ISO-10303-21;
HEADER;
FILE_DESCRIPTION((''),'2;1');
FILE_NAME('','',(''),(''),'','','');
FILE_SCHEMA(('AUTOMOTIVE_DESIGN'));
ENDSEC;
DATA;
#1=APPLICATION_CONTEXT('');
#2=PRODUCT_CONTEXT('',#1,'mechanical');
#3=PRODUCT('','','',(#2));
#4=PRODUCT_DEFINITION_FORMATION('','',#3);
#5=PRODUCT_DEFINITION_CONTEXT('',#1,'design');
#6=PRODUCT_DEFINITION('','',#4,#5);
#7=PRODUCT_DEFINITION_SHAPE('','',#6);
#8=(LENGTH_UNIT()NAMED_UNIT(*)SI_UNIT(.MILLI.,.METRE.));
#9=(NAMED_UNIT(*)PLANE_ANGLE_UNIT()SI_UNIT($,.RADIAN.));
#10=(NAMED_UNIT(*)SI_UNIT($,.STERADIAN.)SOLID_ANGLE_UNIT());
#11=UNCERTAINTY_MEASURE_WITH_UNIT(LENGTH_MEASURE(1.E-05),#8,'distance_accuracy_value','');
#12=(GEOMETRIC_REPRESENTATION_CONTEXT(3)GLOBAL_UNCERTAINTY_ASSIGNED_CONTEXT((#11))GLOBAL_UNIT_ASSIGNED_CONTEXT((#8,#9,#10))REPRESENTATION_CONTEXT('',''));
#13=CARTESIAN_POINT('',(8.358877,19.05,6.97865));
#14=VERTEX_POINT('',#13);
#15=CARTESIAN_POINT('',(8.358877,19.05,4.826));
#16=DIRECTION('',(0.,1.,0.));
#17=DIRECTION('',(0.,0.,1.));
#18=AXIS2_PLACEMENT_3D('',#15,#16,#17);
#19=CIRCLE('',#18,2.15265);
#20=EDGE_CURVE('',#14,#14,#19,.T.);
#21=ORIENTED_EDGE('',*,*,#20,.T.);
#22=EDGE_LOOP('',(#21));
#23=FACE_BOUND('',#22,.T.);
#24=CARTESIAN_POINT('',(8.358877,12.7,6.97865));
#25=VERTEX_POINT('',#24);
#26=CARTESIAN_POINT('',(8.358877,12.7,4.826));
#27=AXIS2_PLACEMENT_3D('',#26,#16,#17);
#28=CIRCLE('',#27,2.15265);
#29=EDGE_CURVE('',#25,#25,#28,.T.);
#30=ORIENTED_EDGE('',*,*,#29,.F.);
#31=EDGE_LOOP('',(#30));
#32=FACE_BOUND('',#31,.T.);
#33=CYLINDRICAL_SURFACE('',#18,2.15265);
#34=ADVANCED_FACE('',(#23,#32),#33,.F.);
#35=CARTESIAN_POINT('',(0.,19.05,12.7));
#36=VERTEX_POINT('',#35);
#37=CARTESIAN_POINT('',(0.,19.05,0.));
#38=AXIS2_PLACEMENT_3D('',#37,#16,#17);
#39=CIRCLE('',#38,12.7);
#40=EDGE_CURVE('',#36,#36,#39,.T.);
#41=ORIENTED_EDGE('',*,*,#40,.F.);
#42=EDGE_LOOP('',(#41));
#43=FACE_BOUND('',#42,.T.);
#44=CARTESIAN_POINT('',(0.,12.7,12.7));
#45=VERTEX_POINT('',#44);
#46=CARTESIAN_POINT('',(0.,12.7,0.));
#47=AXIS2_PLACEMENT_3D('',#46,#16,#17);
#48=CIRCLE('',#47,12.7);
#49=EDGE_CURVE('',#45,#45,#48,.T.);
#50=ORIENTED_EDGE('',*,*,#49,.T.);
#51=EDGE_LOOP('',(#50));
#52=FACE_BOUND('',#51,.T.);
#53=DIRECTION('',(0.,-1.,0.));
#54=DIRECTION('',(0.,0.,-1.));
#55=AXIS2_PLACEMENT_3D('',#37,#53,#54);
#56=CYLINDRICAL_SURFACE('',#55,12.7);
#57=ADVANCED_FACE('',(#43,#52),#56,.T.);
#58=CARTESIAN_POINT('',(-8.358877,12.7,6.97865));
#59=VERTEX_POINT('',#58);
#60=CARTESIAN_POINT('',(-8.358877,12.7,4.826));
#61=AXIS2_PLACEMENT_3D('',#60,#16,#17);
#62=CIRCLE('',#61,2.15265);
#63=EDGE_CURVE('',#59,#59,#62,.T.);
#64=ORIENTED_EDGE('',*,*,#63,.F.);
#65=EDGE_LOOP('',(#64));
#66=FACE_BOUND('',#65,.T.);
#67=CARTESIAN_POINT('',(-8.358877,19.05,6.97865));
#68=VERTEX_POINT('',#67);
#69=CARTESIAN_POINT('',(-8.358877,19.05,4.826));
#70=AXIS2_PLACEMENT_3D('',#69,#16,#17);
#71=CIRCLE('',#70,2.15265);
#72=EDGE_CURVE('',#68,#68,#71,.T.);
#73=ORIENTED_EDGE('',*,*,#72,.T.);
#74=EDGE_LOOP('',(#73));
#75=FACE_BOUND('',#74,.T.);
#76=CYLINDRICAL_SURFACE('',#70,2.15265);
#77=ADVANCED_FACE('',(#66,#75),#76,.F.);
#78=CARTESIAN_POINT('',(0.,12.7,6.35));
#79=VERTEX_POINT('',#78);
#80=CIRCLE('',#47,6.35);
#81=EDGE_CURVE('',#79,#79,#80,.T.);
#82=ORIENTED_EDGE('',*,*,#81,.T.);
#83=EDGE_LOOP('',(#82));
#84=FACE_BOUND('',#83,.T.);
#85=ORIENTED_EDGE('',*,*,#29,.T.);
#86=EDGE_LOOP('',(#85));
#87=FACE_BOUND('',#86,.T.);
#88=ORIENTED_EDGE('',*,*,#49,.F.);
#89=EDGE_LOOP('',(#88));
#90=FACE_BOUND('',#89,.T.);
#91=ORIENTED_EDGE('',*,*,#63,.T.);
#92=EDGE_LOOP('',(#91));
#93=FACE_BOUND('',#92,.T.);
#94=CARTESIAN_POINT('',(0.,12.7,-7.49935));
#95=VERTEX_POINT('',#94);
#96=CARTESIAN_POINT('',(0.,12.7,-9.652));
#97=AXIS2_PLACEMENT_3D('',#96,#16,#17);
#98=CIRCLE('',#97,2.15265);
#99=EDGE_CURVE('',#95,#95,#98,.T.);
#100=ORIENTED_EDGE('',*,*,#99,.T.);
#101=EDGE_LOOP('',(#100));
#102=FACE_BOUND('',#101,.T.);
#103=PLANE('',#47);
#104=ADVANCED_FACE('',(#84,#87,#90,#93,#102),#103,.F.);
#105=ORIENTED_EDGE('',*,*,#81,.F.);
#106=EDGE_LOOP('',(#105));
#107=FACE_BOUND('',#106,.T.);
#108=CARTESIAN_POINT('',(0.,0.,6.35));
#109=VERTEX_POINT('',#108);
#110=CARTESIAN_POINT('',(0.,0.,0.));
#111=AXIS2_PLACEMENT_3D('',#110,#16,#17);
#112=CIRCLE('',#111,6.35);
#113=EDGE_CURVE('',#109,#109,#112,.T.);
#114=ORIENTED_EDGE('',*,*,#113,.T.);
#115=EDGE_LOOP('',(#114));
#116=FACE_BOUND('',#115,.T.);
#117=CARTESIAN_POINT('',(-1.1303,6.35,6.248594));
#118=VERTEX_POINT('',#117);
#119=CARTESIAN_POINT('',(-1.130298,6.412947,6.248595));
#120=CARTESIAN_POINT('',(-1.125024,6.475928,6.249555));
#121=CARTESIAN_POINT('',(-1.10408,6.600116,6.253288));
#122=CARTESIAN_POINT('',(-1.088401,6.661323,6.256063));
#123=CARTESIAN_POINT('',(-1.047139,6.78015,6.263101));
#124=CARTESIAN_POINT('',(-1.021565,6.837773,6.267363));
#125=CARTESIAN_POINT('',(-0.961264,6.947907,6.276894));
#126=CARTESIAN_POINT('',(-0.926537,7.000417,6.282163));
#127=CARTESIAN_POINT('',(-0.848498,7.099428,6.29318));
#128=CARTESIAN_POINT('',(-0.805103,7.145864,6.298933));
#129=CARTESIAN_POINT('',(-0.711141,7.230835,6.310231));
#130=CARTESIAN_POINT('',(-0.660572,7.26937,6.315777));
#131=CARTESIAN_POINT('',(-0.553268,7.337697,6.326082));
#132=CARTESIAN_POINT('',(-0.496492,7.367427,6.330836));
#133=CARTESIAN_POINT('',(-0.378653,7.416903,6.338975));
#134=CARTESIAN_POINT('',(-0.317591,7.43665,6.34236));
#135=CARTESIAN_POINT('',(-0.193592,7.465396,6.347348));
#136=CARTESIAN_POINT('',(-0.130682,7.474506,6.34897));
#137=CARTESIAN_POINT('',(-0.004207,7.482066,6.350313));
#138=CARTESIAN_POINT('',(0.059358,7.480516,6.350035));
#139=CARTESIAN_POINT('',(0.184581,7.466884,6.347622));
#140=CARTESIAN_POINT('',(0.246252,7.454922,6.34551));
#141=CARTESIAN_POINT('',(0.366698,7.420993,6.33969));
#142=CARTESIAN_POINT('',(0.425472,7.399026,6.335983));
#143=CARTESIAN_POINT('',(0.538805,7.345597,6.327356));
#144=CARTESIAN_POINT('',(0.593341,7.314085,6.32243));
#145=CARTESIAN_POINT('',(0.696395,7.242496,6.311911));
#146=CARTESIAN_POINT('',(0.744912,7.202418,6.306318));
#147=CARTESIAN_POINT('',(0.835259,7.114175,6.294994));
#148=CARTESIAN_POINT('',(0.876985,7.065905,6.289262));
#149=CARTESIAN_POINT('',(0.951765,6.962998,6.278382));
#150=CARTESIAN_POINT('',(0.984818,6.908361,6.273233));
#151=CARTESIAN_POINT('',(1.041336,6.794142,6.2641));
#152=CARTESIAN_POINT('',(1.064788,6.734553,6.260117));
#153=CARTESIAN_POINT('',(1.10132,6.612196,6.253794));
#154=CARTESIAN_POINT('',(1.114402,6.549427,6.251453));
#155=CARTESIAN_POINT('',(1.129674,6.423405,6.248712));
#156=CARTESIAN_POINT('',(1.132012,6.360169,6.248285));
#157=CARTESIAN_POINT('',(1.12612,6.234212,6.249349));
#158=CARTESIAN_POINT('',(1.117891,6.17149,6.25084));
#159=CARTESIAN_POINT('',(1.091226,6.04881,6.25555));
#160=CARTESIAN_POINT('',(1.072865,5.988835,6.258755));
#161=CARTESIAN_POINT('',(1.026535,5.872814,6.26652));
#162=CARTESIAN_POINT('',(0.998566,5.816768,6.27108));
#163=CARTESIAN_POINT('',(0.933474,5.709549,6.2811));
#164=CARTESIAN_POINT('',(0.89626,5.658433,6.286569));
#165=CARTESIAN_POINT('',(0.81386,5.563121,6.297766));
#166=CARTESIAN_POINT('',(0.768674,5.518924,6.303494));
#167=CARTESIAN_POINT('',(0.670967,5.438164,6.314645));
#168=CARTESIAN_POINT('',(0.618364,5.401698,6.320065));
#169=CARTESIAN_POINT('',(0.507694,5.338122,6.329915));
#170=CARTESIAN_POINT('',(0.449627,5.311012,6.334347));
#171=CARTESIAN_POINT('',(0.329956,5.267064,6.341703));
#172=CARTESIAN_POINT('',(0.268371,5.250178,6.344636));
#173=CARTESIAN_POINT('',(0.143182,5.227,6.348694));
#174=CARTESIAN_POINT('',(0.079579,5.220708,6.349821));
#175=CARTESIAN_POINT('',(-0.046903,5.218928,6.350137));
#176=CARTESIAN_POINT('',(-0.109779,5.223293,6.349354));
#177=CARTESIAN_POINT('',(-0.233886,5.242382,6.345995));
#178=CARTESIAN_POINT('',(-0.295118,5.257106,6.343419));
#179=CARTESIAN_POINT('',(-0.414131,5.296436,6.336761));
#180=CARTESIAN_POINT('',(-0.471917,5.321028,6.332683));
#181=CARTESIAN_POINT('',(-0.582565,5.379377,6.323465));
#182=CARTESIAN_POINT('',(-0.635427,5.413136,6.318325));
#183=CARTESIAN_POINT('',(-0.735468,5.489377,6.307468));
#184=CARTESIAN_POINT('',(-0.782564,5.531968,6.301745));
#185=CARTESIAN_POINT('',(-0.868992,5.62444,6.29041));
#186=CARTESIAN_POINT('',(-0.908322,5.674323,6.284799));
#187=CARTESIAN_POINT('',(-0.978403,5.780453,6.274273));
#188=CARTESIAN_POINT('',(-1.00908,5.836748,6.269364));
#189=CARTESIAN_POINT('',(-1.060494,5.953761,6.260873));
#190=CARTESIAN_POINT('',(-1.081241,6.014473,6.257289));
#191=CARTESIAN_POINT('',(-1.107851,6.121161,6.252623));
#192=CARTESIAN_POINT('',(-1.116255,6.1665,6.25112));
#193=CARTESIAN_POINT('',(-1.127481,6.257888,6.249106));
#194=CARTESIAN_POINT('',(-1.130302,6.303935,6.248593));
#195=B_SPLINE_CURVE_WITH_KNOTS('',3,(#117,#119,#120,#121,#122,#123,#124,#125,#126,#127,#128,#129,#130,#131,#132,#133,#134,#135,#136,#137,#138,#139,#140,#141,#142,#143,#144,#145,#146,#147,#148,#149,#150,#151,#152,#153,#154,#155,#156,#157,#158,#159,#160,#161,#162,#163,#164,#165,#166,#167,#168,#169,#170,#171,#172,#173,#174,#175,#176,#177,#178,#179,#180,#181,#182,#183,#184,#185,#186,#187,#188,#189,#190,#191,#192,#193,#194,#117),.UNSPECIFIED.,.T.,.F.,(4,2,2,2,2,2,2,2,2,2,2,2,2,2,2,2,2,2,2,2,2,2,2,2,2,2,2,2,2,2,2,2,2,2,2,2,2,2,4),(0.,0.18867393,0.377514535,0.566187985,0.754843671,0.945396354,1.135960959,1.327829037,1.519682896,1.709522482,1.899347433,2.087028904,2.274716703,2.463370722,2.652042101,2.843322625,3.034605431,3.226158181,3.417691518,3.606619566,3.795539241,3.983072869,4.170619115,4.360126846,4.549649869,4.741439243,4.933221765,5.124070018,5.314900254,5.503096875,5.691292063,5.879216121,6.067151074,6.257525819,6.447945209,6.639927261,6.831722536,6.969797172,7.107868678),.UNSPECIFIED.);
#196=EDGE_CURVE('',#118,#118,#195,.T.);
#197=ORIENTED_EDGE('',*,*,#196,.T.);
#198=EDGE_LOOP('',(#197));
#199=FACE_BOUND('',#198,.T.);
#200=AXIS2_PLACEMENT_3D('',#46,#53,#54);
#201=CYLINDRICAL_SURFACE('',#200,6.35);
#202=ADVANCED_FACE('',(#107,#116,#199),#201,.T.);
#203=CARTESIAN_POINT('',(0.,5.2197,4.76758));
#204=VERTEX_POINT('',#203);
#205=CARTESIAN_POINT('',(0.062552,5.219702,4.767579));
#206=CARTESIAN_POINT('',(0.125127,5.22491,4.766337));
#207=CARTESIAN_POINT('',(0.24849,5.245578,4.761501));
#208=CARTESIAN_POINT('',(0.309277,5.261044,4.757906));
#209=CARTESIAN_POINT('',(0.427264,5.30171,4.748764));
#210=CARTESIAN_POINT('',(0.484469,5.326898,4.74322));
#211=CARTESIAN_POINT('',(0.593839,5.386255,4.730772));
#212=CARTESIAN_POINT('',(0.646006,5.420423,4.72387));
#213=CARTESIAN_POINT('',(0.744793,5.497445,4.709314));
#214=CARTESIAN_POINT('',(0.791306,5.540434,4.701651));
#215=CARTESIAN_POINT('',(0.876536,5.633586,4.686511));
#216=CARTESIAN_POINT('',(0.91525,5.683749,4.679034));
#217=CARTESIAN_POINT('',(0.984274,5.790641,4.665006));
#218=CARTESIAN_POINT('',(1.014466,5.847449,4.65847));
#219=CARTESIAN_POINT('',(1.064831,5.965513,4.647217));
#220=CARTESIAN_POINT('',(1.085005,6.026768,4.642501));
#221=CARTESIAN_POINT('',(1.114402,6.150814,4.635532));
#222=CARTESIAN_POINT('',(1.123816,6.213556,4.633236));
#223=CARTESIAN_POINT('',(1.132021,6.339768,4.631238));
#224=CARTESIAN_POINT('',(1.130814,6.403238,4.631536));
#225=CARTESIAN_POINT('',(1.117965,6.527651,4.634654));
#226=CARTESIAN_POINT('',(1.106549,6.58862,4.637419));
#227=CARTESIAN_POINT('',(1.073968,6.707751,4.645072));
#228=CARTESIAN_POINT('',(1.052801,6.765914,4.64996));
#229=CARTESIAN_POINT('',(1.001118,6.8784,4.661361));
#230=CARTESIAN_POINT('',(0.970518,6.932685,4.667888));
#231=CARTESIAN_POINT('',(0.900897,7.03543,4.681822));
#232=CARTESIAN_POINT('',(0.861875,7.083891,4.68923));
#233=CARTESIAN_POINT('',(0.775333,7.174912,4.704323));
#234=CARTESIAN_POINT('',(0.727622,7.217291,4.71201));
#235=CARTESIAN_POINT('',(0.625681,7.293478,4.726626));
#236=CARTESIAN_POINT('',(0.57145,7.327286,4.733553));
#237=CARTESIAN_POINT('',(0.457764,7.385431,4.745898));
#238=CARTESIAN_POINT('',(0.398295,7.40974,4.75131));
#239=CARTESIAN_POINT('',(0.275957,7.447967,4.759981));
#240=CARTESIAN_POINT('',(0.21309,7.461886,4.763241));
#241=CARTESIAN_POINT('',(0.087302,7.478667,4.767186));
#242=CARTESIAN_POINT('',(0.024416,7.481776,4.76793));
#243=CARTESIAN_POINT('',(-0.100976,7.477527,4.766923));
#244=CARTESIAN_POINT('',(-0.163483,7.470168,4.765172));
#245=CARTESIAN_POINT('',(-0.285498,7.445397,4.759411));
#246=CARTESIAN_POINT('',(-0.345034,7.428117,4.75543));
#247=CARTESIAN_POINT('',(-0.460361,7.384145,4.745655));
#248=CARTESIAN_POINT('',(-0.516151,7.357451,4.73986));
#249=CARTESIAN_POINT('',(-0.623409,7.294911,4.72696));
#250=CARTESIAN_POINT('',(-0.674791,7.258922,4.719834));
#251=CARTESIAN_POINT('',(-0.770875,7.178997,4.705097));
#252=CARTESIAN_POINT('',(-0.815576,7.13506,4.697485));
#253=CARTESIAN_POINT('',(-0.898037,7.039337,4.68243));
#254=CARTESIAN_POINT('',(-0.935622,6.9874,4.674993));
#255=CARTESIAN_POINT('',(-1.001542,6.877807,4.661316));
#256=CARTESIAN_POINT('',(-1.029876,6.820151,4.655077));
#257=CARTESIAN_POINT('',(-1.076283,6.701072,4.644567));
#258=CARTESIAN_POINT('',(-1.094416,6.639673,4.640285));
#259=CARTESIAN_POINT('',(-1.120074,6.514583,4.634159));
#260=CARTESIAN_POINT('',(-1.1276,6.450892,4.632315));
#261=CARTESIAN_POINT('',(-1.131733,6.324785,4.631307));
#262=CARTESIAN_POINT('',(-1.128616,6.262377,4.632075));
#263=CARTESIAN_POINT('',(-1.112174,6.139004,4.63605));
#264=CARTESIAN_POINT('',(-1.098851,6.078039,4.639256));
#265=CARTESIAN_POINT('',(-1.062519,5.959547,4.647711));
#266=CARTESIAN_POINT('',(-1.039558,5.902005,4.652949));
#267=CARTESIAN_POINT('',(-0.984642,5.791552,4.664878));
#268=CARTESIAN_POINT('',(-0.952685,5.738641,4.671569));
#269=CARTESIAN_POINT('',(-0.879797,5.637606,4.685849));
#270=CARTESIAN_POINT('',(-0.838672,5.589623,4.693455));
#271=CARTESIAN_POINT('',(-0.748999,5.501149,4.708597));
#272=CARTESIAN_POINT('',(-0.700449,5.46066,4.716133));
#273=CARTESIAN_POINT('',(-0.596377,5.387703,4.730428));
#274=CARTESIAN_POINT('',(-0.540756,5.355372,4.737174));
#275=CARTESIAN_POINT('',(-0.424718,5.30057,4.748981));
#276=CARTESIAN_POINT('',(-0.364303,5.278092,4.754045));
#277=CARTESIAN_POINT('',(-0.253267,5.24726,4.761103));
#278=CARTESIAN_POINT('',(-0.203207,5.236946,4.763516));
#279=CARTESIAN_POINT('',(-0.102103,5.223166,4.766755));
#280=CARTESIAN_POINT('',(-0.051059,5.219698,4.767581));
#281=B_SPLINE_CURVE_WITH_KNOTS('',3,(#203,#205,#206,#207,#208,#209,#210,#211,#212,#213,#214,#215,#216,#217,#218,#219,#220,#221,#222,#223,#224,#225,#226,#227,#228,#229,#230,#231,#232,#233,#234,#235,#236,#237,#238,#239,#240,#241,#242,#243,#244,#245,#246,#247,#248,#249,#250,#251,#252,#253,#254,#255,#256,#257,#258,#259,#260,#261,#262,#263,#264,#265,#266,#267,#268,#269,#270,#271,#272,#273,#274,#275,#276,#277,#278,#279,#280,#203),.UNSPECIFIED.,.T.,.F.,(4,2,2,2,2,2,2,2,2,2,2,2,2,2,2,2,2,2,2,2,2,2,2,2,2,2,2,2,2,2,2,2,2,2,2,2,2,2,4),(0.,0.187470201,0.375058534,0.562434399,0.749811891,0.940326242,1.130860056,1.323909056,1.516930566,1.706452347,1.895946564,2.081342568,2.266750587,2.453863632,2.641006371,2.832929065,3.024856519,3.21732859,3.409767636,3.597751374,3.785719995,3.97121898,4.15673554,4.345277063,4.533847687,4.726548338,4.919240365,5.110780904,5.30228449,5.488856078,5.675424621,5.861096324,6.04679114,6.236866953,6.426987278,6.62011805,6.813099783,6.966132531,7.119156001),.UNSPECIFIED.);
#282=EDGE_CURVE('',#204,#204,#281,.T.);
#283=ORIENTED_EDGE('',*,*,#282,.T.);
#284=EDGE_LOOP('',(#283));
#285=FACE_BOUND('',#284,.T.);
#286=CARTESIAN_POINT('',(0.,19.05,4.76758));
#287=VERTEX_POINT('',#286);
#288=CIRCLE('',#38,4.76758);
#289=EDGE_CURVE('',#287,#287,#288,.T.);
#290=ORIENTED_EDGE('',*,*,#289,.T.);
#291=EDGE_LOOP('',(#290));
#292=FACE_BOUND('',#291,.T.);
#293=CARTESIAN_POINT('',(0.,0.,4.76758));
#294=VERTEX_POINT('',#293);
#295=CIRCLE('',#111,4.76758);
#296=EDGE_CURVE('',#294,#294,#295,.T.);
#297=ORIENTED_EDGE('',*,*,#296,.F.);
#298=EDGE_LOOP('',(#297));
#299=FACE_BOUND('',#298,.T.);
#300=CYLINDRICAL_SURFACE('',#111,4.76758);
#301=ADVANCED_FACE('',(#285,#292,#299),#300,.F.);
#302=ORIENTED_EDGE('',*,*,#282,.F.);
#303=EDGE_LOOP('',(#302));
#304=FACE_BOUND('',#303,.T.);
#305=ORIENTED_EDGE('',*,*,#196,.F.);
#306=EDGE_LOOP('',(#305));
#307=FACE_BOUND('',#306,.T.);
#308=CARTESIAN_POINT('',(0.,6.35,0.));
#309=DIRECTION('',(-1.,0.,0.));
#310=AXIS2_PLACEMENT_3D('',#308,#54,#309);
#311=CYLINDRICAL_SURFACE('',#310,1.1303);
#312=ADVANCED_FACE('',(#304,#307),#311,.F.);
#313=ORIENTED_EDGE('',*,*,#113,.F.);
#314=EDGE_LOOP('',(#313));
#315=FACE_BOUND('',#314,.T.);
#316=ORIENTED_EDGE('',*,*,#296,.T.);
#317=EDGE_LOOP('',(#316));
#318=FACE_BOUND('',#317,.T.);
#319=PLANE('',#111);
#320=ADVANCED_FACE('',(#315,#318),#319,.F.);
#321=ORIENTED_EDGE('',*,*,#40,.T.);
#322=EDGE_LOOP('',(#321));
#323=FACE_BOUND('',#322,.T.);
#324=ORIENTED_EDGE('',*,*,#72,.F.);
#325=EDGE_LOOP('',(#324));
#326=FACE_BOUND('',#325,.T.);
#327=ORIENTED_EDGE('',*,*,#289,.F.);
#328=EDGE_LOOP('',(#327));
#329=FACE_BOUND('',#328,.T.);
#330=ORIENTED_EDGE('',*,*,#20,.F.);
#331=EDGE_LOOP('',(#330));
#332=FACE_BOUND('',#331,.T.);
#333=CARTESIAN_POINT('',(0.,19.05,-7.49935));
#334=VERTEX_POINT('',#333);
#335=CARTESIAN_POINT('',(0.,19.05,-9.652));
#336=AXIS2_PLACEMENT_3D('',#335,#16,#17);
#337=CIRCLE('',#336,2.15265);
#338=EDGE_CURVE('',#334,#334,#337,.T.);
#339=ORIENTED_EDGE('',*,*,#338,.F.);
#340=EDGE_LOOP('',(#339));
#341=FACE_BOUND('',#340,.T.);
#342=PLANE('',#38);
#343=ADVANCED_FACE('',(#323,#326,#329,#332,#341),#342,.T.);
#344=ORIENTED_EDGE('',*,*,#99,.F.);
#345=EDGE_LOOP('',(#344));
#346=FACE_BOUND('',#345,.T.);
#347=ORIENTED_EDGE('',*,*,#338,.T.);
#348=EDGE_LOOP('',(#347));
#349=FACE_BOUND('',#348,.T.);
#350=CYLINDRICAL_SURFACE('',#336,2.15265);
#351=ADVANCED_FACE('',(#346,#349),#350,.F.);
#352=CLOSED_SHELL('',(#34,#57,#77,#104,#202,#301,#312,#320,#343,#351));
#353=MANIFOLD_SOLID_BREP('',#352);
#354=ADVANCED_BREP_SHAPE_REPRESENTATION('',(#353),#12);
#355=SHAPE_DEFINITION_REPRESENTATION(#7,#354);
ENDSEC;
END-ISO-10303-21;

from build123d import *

# Parameters (mm, degrees)
SKETCH1_R                        = 6.35
BOSS_EXTRUDE1_DEPTH              = 12.7
SKETCH2_R                        = 12.7
BOSS_EXTRUDE2_DEPTH              = 6.35
SKETCH3_R                        = 4.76758
CUT_EXTRUDE1_DEPTH               = 20.05
F_18_0_1695_DIAMETER_HOLE1_D     = 4.3053
F_18_0_1695_DIAMETER_HOLE1_DEPTH = 25.4
F_18_0_1695_DIAMETER_HOLE1_TIP   = 1.293442612


with BuildPart() as part:
    # Sketch1 → Boss-Extrude1 (new body)
    with BuildSketch(Plane(origin=(0, 0, 0), x_dir=(1, 0, 0), z_dir=(0, 1, 0))):
        Circle(SKETCH1_R)
    extrude(amount=BOSS_EXTRUDE1_DEPTH)

    # Sketch2 → Boss-Extrude2 (add)
    with BuildSketch(Plane(origin=(0, 12.7, 0), x_dir=(1, 0, 0), z_dir=(0, 1, 0))):
        Circle(SKETCH2_R)
    extrude(amount=BOSS_EXTRUDE2_DEPTH)

    # Sketch3 → Cut-Extrude1 (cut, through all)
    with BuildSketch(Plane(origin=(0, 19.05, 0), x_dir=(1, 0, 0), z_dir=(0, 1, 0))):
        Circle(SKETCH3_R)
    extrude(amount=-CUT_EXTRUDE1_DEPTH, mode=Mode.SUBTRACT)

    # #18 (0.1695) Diameter Hole1
    with Locations(Plane(origin=(0, 19.05, 0), x_dir=(1, 0, 0), z_dir=(0, 1, 0))):
        with Locations((0, 9.652), (-8.358877197, -4.826), (8.358877197, -4.826)):
            Hole(F_18_0_1695_DIAMETER_HOLE1_D / 2, depth=F_18_0_1695_DIAMETER_HOLE1_DEPTH)
            with Locations((0, 0, -(F_18_0_1695_DIAMETER_HOLE1_DEPTH + F_18_0_1695_DIAMETER_HOLE1_TIP / 2))):  # 118° drill point
                Cone(0, F_18_0_1695_DIAMETER_HOLE1_D / 2, F_18_0_1695_DIAMETER_HOLE1_TIP, mode=Mode.SUBTRACT)

    # Sketch8 → #43 (0.089) Diameter Hole1 (revolve, cut)
    with BuildSketch(Plane(origin=(0, 6.35, 0), x_dir=(0, 1, 0), z_dir=(1, 0, 0))):
        Polygon((0, 0), (0, 26.079152758), (1.1303, 25.4), (1.1303, 0), align=None)
    revolve(axis=Axis((0, 6.35, -6.35), (0, 0, 1)), mode=Mode.SUBTRACT)


solid = part.part
